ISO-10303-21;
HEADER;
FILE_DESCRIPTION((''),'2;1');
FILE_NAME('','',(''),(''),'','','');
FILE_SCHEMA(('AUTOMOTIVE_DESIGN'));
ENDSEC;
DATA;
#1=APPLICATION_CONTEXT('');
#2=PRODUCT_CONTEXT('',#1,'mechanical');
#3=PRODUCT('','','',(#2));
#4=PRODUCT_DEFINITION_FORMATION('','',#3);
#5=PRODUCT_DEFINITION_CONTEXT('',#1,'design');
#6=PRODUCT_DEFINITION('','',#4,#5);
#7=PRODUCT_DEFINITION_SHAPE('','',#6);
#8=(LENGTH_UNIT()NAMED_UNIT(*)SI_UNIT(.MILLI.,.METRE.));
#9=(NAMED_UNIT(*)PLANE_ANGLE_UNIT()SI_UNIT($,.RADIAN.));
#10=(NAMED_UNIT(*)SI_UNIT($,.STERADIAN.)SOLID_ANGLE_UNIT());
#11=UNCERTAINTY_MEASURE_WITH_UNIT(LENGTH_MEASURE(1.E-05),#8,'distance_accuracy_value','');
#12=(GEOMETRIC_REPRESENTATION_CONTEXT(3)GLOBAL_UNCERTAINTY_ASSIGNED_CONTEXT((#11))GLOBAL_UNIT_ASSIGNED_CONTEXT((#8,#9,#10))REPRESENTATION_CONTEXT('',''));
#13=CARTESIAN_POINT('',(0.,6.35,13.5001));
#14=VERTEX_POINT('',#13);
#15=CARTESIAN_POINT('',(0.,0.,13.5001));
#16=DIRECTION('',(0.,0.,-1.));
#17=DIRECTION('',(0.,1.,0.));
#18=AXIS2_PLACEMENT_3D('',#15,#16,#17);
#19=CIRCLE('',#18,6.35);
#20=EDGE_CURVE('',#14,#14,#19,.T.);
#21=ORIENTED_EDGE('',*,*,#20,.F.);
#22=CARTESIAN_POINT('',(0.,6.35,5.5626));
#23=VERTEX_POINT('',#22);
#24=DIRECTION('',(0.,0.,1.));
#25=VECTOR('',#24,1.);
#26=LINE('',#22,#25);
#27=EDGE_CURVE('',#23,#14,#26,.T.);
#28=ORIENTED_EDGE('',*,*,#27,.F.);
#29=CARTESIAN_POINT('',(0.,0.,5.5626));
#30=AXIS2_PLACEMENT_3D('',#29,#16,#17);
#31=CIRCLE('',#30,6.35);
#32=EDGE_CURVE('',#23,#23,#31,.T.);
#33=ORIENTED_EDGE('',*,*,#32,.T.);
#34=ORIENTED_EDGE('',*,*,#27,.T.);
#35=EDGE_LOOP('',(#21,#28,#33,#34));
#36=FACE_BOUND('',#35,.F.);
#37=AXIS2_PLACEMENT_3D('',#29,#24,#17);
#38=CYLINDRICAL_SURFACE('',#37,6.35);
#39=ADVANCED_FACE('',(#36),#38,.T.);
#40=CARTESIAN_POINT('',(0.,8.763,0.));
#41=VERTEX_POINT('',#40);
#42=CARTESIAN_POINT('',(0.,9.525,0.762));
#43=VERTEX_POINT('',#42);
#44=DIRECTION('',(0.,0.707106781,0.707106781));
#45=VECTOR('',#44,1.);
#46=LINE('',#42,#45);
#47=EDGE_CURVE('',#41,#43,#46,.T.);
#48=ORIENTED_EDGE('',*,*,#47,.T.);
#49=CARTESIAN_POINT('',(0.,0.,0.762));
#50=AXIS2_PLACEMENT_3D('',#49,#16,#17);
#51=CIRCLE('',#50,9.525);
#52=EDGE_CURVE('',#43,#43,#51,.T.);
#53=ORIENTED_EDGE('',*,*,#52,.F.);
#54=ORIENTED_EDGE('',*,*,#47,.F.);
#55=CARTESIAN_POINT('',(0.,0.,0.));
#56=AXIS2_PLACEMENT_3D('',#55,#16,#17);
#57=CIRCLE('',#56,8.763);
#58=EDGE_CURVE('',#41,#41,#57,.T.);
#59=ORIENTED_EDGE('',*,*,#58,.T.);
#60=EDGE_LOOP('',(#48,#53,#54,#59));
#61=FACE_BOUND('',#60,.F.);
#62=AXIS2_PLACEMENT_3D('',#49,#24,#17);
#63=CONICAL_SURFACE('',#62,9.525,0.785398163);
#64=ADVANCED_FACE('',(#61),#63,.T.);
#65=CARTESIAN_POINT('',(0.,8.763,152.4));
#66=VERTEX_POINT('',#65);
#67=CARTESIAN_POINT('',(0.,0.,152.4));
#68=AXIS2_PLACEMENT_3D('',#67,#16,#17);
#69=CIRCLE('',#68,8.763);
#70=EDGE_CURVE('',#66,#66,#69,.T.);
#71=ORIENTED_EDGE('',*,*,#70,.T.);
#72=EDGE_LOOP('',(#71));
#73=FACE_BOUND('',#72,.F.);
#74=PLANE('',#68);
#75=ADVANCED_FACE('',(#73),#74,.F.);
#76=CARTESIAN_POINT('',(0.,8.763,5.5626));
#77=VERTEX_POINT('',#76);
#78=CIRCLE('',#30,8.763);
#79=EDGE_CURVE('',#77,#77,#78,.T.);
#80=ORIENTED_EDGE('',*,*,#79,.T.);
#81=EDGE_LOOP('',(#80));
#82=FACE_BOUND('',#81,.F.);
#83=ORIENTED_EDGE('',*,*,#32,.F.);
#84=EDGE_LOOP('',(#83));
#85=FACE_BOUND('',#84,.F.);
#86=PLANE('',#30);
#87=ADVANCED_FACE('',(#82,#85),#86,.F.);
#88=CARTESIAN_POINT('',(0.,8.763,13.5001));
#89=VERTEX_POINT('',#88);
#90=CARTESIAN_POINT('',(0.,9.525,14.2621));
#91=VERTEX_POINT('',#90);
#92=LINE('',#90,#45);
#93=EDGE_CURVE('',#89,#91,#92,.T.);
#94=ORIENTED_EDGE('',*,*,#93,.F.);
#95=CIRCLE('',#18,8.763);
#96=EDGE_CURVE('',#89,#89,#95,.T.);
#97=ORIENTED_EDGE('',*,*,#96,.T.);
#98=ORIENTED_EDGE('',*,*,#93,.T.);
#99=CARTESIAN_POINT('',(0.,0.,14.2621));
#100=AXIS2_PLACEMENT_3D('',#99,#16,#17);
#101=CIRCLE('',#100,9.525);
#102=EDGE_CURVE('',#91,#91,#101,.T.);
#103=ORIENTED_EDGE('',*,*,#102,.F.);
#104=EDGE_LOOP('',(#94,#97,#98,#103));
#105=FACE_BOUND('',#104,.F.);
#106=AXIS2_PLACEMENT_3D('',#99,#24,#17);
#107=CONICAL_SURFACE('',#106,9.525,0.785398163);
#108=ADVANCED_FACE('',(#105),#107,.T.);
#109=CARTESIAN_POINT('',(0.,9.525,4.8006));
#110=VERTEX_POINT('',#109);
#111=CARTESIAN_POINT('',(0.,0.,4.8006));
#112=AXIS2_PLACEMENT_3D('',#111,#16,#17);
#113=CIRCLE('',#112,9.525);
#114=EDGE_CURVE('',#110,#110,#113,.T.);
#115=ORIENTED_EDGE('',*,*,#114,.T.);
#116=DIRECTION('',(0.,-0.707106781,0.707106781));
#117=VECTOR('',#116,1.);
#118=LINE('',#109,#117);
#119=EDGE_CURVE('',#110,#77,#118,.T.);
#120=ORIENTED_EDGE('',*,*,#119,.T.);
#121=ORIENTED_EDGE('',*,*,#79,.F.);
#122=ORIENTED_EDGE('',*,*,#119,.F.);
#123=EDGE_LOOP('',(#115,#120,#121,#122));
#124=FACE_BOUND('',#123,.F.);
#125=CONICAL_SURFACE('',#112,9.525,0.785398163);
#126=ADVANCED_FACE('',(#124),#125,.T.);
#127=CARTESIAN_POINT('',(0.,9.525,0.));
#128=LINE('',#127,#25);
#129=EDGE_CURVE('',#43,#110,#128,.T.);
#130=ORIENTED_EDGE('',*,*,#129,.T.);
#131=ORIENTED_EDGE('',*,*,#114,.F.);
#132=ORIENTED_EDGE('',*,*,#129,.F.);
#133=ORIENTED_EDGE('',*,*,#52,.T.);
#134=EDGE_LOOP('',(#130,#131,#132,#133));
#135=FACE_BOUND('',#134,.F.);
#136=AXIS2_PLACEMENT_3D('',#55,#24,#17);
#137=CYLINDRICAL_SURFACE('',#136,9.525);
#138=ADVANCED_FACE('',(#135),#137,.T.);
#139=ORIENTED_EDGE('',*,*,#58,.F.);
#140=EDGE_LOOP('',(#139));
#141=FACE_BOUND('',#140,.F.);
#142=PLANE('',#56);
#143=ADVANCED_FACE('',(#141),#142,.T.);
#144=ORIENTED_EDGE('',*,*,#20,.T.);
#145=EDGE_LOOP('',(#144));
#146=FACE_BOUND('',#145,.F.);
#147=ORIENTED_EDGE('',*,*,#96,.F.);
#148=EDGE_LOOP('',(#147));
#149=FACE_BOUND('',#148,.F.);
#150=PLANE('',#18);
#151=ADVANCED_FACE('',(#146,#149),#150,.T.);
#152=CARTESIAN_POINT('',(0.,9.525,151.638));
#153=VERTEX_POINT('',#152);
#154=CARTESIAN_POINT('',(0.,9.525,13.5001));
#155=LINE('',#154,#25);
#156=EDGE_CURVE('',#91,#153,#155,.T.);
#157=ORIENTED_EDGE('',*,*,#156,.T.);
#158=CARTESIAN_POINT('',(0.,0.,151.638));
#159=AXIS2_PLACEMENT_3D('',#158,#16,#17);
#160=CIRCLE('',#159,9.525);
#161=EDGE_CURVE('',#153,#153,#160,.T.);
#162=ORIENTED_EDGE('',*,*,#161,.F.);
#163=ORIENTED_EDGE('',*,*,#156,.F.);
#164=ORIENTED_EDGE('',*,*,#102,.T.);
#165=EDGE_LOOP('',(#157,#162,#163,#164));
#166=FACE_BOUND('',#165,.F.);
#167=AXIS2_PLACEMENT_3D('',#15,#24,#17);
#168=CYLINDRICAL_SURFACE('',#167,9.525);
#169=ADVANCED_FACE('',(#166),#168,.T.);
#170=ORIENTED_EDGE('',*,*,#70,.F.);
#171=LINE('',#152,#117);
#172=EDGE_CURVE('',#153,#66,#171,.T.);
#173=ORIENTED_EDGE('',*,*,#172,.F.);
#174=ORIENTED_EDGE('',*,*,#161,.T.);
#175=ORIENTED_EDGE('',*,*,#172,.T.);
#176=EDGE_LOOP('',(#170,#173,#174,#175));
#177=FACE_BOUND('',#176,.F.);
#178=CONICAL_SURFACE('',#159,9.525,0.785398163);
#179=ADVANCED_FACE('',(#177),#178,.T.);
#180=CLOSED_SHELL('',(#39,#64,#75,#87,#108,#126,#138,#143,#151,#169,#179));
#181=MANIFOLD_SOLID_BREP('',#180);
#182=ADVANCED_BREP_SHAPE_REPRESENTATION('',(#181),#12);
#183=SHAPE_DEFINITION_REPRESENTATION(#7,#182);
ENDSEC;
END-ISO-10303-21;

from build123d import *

# Parameters (mm, degrees)
F2_SIZE = 0.762


with BuildPart() as f1:
    # F0 (on Right) → F1 (revolve)
    with BuildSketch(Plane.YZ):
        Polygon((0, 152.4), (0, 0), (9.525, 0), (9.525, 5.5626), (6.35, 5.5626), (6.35, 13.5001), (9.525, 13.5001), (9.525, 152.4), align=None)
    revolve(axis=Axis((0, 0, 76.2), (0, 0, -1)))

    # F2
    f2_edges = [f1.edges().sort_by_distance(p)[0] for p in [
        (0, -9.525, 152.4),
        (0, -9.525, 5.5626),
        (0, -9.525, 13.5001),
        (0, -9.525, 0),
    ]]
    chamfer(f2_edges, length=F2_SIZE)


solid = f1.part
